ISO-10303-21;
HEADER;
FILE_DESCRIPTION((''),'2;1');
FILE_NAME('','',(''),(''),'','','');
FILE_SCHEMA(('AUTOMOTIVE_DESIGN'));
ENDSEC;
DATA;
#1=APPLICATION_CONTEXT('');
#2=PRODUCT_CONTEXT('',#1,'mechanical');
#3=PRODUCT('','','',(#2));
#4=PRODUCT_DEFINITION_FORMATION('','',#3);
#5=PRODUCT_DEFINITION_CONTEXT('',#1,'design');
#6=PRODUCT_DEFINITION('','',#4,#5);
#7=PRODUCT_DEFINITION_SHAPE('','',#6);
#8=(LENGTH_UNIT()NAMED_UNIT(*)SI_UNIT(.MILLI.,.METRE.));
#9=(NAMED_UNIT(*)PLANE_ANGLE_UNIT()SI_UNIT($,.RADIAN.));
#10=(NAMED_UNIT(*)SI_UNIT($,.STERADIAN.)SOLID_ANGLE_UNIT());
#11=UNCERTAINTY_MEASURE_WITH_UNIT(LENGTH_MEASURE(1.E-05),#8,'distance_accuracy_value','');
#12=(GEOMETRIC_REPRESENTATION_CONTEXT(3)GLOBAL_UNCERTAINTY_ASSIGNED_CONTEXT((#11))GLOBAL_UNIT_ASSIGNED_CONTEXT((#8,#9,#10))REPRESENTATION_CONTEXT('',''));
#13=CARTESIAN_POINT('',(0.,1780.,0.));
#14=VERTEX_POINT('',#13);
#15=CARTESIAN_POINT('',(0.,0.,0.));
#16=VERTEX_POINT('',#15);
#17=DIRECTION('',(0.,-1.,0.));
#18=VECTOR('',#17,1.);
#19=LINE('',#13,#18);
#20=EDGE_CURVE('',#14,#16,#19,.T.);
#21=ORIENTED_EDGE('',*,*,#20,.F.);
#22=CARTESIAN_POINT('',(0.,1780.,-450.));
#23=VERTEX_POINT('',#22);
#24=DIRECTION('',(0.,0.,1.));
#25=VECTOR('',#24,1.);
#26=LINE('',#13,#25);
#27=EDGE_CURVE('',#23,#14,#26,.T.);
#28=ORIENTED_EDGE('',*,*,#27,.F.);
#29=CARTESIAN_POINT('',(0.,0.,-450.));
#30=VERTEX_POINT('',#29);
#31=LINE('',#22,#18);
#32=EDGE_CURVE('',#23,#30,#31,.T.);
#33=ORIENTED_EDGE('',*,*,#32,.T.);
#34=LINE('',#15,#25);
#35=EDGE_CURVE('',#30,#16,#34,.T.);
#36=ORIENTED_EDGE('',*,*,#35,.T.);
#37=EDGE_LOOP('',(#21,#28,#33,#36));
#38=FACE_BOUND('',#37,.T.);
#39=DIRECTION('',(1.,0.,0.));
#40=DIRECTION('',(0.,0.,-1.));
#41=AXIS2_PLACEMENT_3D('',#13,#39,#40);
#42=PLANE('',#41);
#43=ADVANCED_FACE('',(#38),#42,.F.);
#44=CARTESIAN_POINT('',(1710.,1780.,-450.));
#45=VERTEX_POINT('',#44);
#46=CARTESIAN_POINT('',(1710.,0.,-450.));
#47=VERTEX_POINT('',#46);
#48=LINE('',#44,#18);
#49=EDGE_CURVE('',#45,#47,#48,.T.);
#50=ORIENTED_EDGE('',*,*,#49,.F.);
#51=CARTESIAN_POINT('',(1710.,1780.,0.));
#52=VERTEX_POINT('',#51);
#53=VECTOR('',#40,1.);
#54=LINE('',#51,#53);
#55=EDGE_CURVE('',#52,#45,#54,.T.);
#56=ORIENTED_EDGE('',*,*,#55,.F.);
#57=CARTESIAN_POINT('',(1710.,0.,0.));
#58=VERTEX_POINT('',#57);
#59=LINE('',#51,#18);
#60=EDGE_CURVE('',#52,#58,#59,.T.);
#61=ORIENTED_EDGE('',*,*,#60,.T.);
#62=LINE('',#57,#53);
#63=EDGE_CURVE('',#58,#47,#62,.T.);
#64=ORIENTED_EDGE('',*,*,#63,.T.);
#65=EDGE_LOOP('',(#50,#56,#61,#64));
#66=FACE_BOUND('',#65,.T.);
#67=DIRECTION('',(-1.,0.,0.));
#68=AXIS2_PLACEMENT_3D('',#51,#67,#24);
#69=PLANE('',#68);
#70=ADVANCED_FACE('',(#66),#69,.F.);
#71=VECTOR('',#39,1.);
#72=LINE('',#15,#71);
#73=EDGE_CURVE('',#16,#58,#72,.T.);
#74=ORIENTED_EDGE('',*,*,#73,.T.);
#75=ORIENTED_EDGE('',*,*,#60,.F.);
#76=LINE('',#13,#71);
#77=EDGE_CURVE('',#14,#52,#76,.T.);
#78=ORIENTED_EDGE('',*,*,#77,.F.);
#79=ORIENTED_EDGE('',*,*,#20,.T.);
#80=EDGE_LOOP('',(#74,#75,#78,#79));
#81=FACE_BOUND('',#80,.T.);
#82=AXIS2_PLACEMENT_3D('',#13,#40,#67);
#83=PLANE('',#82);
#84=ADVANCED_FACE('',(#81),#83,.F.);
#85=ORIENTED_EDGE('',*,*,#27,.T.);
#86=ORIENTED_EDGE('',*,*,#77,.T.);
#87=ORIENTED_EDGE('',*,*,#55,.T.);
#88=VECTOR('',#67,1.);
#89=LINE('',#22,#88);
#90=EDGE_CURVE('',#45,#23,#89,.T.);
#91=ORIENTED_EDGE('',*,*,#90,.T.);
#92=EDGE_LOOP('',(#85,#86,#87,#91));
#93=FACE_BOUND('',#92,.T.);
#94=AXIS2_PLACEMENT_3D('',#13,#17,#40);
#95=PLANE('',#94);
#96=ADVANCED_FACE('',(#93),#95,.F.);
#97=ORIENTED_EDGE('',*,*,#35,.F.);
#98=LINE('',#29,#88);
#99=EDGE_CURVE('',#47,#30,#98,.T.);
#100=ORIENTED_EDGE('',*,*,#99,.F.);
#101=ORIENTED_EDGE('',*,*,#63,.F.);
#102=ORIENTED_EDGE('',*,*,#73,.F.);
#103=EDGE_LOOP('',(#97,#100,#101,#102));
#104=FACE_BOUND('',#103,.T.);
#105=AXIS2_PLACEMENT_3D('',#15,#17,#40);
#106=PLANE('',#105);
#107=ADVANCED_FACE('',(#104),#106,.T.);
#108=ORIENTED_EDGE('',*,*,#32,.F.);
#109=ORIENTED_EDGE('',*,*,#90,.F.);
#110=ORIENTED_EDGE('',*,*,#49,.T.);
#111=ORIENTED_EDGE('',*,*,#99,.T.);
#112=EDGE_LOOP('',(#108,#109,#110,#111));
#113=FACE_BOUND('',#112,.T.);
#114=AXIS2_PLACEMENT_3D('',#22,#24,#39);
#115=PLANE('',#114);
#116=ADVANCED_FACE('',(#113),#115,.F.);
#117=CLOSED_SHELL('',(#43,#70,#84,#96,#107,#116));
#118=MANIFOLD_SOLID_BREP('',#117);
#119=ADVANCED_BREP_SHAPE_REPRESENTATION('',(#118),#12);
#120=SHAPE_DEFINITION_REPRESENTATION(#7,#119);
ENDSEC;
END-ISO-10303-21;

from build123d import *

# Parameters (mm, degrees)
SKETCH_1_W      = 1710
SKETCH_1_H      = 450
EXTRUDE_1_DEPTH = 1780


with BuildPart() as part:
    # ｽｹｯﾁ1 → ﾎﾞｽ - 押し出し1 (new body)
    with BuildSketch(Plane(origin=(0, 0, 0), x_dir=(1, 0, 0), z_dir=(0, 1, 0))):
        with Locations((855, 225)):
            Rectangle(SKETCH_1_W, SKETCH_1_H)
    extrude(amount=EXTRUDE_1_DEPTH)


solid = part.part
